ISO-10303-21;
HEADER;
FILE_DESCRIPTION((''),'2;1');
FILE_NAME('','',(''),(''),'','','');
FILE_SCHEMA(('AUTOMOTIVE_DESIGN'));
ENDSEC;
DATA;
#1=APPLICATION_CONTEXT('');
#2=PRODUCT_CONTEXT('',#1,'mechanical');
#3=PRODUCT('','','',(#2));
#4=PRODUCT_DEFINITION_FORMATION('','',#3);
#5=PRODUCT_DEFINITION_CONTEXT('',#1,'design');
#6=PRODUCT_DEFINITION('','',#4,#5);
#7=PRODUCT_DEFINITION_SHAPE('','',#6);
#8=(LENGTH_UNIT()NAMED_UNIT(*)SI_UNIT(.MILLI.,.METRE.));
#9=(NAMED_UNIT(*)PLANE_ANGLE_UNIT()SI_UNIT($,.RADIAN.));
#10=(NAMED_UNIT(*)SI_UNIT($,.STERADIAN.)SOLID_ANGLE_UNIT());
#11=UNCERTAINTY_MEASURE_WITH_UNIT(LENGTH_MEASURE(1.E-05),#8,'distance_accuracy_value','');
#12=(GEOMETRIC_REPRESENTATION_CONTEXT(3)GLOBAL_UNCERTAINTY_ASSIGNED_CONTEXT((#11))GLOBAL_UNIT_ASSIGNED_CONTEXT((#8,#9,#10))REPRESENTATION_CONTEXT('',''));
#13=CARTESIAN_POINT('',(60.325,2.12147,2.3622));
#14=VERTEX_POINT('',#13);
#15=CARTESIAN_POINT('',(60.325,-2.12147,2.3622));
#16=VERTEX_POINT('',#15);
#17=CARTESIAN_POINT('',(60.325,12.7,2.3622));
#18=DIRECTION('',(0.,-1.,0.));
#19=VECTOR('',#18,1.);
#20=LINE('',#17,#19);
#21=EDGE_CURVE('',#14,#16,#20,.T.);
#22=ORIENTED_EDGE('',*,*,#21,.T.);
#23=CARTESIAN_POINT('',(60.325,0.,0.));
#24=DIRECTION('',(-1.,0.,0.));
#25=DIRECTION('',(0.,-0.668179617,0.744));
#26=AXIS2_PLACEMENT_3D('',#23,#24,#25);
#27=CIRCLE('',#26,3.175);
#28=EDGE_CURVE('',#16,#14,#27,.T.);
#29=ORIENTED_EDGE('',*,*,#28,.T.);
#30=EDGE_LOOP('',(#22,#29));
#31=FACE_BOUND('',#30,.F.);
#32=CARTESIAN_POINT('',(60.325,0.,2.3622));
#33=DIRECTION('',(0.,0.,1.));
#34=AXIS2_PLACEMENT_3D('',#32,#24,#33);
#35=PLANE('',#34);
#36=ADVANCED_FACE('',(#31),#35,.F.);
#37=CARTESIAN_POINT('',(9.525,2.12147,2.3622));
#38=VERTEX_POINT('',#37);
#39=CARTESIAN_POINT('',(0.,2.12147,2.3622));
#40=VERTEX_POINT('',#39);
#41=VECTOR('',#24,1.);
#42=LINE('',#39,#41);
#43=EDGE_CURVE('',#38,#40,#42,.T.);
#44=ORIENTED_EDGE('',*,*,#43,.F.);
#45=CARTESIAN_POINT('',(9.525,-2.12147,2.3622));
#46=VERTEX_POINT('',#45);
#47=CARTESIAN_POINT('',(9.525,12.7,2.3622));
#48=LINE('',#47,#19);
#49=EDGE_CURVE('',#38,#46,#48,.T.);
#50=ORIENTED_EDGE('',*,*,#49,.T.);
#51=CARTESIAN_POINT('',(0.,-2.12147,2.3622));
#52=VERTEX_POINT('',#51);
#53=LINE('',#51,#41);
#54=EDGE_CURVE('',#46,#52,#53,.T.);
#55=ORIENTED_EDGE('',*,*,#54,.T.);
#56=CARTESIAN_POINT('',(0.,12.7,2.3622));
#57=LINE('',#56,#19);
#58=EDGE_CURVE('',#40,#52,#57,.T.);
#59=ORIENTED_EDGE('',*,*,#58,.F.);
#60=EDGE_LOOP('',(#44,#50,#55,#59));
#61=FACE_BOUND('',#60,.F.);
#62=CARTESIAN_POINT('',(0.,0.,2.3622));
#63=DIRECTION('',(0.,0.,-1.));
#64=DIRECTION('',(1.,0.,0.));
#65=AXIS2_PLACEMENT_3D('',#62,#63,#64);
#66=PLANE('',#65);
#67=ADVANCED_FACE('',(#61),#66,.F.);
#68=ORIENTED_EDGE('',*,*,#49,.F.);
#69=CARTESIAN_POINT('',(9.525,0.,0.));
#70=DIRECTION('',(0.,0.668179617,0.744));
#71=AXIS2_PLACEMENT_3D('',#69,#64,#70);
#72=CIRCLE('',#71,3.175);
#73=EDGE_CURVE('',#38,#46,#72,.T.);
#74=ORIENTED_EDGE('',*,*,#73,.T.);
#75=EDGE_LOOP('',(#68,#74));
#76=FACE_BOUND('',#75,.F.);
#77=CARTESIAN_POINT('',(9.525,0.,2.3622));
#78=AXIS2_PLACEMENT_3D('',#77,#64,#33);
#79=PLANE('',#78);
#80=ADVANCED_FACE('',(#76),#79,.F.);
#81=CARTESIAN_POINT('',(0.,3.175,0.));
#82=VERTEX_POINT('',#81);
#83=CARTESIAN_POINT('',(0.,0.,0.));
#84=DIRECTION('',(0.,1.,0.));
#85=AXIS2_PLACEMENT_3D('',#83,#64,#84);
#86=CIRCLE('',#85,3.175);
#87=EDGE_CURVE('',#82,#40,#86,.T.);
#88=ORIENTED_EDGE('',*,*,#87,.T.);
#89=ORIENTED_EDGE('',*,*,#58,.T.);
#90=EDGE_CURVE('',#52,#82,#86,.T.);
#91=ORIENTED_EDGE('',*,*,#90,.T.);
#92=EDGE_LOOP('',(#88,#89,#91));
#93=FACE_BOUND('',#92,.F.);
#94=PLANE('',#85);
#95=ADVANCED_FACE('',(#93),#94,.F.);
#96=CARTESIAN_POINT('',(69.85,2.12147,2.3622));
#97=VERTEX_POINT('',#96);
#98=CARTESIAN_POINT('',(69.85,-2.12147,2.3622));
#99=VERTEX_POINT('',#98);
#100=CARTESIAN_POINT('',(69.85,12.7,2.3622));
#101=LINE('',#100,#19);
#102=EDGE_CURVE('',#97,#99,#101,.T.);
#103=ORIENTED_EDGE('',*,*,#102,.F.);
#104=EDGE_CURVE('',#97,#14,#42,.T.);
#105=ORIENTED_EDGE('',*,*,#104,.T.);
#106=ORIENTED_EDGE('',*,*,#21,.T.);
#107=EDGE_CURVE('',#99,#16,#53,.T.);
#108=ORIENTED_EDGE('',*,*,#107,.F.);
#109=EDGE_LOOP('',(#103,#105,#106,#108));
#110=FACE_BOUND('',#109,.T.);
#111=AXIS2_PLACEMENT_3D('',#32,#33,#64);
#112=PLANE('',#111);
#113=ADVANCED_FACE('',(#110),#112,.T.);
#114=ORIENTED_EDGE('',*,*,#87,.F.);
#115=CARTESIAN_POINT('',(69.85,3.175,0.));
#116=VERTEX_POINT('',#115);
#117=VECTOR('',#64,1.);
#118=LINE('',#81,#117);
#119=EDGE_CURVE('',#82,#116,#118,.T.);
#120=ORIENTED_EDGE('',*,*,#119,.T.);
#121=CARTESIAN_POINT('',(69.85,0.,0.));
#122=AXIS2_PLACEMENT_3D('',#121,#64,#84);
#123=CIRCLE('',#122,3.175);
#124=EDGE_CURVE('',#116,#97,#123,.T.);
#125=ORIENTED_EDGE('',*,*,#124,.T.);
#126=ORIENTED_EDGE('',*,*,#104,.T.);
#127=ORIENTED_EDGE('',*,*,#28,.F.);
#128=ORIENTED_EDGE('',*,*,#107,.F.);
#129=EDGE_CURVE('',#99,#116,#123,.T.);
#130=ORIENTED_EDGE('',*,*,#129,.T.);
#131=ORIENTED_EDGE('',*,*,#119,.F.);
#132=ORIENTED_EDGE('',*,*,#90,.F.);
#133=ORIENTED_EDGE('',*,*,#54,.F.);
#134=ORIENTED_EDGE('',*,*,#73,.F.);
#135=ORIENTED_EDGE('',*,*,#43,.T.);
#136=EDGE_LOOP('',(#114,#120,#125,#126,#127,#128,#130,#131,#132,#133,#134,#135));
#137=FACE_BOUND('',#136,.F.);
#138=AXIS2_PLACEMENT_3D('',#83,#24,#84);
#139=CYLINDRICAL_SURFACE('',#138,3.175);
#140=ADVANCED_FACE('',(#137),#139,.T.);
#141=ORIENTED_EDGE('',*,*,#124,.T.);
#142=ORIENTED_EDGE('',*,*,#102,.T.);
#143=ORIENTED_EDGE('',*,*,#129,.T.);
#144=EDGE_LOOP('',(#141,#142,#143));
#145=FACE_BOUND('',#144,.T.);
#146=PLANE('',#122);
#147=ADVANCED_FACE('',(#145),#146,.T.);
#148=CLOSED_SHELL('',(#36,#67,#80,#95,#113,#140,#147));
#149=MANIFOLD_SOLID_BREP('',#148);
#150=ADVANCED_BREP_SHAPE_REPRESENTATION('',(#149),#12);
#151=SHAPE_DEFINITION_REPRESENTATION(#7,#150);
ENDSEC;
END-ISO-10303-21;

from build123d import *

# Parameters (mm, degrees)
F0_R     = 3.175
F1_DEPTH = 69.85
F2_W     = 9.525
F2_H     = 0.8128
F3_DEPTH = 12.7


with BuildPart() as f1:
    # F0 (on Right) → F1 (new body)
    with BuildSketch(Plane.YZ):
        Circle(F0_R)
    extrude(amount=F1_DEPTH)

    # F2 (on Front) → F3 (cut, symmetric)
    with BuildSketch(Plane.XZ):
        with Locations((65.0875, 2.7686)):
            Rectangle(F2_W, F2_H)
        with Locations((4.7625, 2.7686)):
            Rectangle(F2_W, F2_H)
    extrude(amount=F3_DEPTH, both=True, mode=Mode.SUBTRACT)


solid = f1.part
